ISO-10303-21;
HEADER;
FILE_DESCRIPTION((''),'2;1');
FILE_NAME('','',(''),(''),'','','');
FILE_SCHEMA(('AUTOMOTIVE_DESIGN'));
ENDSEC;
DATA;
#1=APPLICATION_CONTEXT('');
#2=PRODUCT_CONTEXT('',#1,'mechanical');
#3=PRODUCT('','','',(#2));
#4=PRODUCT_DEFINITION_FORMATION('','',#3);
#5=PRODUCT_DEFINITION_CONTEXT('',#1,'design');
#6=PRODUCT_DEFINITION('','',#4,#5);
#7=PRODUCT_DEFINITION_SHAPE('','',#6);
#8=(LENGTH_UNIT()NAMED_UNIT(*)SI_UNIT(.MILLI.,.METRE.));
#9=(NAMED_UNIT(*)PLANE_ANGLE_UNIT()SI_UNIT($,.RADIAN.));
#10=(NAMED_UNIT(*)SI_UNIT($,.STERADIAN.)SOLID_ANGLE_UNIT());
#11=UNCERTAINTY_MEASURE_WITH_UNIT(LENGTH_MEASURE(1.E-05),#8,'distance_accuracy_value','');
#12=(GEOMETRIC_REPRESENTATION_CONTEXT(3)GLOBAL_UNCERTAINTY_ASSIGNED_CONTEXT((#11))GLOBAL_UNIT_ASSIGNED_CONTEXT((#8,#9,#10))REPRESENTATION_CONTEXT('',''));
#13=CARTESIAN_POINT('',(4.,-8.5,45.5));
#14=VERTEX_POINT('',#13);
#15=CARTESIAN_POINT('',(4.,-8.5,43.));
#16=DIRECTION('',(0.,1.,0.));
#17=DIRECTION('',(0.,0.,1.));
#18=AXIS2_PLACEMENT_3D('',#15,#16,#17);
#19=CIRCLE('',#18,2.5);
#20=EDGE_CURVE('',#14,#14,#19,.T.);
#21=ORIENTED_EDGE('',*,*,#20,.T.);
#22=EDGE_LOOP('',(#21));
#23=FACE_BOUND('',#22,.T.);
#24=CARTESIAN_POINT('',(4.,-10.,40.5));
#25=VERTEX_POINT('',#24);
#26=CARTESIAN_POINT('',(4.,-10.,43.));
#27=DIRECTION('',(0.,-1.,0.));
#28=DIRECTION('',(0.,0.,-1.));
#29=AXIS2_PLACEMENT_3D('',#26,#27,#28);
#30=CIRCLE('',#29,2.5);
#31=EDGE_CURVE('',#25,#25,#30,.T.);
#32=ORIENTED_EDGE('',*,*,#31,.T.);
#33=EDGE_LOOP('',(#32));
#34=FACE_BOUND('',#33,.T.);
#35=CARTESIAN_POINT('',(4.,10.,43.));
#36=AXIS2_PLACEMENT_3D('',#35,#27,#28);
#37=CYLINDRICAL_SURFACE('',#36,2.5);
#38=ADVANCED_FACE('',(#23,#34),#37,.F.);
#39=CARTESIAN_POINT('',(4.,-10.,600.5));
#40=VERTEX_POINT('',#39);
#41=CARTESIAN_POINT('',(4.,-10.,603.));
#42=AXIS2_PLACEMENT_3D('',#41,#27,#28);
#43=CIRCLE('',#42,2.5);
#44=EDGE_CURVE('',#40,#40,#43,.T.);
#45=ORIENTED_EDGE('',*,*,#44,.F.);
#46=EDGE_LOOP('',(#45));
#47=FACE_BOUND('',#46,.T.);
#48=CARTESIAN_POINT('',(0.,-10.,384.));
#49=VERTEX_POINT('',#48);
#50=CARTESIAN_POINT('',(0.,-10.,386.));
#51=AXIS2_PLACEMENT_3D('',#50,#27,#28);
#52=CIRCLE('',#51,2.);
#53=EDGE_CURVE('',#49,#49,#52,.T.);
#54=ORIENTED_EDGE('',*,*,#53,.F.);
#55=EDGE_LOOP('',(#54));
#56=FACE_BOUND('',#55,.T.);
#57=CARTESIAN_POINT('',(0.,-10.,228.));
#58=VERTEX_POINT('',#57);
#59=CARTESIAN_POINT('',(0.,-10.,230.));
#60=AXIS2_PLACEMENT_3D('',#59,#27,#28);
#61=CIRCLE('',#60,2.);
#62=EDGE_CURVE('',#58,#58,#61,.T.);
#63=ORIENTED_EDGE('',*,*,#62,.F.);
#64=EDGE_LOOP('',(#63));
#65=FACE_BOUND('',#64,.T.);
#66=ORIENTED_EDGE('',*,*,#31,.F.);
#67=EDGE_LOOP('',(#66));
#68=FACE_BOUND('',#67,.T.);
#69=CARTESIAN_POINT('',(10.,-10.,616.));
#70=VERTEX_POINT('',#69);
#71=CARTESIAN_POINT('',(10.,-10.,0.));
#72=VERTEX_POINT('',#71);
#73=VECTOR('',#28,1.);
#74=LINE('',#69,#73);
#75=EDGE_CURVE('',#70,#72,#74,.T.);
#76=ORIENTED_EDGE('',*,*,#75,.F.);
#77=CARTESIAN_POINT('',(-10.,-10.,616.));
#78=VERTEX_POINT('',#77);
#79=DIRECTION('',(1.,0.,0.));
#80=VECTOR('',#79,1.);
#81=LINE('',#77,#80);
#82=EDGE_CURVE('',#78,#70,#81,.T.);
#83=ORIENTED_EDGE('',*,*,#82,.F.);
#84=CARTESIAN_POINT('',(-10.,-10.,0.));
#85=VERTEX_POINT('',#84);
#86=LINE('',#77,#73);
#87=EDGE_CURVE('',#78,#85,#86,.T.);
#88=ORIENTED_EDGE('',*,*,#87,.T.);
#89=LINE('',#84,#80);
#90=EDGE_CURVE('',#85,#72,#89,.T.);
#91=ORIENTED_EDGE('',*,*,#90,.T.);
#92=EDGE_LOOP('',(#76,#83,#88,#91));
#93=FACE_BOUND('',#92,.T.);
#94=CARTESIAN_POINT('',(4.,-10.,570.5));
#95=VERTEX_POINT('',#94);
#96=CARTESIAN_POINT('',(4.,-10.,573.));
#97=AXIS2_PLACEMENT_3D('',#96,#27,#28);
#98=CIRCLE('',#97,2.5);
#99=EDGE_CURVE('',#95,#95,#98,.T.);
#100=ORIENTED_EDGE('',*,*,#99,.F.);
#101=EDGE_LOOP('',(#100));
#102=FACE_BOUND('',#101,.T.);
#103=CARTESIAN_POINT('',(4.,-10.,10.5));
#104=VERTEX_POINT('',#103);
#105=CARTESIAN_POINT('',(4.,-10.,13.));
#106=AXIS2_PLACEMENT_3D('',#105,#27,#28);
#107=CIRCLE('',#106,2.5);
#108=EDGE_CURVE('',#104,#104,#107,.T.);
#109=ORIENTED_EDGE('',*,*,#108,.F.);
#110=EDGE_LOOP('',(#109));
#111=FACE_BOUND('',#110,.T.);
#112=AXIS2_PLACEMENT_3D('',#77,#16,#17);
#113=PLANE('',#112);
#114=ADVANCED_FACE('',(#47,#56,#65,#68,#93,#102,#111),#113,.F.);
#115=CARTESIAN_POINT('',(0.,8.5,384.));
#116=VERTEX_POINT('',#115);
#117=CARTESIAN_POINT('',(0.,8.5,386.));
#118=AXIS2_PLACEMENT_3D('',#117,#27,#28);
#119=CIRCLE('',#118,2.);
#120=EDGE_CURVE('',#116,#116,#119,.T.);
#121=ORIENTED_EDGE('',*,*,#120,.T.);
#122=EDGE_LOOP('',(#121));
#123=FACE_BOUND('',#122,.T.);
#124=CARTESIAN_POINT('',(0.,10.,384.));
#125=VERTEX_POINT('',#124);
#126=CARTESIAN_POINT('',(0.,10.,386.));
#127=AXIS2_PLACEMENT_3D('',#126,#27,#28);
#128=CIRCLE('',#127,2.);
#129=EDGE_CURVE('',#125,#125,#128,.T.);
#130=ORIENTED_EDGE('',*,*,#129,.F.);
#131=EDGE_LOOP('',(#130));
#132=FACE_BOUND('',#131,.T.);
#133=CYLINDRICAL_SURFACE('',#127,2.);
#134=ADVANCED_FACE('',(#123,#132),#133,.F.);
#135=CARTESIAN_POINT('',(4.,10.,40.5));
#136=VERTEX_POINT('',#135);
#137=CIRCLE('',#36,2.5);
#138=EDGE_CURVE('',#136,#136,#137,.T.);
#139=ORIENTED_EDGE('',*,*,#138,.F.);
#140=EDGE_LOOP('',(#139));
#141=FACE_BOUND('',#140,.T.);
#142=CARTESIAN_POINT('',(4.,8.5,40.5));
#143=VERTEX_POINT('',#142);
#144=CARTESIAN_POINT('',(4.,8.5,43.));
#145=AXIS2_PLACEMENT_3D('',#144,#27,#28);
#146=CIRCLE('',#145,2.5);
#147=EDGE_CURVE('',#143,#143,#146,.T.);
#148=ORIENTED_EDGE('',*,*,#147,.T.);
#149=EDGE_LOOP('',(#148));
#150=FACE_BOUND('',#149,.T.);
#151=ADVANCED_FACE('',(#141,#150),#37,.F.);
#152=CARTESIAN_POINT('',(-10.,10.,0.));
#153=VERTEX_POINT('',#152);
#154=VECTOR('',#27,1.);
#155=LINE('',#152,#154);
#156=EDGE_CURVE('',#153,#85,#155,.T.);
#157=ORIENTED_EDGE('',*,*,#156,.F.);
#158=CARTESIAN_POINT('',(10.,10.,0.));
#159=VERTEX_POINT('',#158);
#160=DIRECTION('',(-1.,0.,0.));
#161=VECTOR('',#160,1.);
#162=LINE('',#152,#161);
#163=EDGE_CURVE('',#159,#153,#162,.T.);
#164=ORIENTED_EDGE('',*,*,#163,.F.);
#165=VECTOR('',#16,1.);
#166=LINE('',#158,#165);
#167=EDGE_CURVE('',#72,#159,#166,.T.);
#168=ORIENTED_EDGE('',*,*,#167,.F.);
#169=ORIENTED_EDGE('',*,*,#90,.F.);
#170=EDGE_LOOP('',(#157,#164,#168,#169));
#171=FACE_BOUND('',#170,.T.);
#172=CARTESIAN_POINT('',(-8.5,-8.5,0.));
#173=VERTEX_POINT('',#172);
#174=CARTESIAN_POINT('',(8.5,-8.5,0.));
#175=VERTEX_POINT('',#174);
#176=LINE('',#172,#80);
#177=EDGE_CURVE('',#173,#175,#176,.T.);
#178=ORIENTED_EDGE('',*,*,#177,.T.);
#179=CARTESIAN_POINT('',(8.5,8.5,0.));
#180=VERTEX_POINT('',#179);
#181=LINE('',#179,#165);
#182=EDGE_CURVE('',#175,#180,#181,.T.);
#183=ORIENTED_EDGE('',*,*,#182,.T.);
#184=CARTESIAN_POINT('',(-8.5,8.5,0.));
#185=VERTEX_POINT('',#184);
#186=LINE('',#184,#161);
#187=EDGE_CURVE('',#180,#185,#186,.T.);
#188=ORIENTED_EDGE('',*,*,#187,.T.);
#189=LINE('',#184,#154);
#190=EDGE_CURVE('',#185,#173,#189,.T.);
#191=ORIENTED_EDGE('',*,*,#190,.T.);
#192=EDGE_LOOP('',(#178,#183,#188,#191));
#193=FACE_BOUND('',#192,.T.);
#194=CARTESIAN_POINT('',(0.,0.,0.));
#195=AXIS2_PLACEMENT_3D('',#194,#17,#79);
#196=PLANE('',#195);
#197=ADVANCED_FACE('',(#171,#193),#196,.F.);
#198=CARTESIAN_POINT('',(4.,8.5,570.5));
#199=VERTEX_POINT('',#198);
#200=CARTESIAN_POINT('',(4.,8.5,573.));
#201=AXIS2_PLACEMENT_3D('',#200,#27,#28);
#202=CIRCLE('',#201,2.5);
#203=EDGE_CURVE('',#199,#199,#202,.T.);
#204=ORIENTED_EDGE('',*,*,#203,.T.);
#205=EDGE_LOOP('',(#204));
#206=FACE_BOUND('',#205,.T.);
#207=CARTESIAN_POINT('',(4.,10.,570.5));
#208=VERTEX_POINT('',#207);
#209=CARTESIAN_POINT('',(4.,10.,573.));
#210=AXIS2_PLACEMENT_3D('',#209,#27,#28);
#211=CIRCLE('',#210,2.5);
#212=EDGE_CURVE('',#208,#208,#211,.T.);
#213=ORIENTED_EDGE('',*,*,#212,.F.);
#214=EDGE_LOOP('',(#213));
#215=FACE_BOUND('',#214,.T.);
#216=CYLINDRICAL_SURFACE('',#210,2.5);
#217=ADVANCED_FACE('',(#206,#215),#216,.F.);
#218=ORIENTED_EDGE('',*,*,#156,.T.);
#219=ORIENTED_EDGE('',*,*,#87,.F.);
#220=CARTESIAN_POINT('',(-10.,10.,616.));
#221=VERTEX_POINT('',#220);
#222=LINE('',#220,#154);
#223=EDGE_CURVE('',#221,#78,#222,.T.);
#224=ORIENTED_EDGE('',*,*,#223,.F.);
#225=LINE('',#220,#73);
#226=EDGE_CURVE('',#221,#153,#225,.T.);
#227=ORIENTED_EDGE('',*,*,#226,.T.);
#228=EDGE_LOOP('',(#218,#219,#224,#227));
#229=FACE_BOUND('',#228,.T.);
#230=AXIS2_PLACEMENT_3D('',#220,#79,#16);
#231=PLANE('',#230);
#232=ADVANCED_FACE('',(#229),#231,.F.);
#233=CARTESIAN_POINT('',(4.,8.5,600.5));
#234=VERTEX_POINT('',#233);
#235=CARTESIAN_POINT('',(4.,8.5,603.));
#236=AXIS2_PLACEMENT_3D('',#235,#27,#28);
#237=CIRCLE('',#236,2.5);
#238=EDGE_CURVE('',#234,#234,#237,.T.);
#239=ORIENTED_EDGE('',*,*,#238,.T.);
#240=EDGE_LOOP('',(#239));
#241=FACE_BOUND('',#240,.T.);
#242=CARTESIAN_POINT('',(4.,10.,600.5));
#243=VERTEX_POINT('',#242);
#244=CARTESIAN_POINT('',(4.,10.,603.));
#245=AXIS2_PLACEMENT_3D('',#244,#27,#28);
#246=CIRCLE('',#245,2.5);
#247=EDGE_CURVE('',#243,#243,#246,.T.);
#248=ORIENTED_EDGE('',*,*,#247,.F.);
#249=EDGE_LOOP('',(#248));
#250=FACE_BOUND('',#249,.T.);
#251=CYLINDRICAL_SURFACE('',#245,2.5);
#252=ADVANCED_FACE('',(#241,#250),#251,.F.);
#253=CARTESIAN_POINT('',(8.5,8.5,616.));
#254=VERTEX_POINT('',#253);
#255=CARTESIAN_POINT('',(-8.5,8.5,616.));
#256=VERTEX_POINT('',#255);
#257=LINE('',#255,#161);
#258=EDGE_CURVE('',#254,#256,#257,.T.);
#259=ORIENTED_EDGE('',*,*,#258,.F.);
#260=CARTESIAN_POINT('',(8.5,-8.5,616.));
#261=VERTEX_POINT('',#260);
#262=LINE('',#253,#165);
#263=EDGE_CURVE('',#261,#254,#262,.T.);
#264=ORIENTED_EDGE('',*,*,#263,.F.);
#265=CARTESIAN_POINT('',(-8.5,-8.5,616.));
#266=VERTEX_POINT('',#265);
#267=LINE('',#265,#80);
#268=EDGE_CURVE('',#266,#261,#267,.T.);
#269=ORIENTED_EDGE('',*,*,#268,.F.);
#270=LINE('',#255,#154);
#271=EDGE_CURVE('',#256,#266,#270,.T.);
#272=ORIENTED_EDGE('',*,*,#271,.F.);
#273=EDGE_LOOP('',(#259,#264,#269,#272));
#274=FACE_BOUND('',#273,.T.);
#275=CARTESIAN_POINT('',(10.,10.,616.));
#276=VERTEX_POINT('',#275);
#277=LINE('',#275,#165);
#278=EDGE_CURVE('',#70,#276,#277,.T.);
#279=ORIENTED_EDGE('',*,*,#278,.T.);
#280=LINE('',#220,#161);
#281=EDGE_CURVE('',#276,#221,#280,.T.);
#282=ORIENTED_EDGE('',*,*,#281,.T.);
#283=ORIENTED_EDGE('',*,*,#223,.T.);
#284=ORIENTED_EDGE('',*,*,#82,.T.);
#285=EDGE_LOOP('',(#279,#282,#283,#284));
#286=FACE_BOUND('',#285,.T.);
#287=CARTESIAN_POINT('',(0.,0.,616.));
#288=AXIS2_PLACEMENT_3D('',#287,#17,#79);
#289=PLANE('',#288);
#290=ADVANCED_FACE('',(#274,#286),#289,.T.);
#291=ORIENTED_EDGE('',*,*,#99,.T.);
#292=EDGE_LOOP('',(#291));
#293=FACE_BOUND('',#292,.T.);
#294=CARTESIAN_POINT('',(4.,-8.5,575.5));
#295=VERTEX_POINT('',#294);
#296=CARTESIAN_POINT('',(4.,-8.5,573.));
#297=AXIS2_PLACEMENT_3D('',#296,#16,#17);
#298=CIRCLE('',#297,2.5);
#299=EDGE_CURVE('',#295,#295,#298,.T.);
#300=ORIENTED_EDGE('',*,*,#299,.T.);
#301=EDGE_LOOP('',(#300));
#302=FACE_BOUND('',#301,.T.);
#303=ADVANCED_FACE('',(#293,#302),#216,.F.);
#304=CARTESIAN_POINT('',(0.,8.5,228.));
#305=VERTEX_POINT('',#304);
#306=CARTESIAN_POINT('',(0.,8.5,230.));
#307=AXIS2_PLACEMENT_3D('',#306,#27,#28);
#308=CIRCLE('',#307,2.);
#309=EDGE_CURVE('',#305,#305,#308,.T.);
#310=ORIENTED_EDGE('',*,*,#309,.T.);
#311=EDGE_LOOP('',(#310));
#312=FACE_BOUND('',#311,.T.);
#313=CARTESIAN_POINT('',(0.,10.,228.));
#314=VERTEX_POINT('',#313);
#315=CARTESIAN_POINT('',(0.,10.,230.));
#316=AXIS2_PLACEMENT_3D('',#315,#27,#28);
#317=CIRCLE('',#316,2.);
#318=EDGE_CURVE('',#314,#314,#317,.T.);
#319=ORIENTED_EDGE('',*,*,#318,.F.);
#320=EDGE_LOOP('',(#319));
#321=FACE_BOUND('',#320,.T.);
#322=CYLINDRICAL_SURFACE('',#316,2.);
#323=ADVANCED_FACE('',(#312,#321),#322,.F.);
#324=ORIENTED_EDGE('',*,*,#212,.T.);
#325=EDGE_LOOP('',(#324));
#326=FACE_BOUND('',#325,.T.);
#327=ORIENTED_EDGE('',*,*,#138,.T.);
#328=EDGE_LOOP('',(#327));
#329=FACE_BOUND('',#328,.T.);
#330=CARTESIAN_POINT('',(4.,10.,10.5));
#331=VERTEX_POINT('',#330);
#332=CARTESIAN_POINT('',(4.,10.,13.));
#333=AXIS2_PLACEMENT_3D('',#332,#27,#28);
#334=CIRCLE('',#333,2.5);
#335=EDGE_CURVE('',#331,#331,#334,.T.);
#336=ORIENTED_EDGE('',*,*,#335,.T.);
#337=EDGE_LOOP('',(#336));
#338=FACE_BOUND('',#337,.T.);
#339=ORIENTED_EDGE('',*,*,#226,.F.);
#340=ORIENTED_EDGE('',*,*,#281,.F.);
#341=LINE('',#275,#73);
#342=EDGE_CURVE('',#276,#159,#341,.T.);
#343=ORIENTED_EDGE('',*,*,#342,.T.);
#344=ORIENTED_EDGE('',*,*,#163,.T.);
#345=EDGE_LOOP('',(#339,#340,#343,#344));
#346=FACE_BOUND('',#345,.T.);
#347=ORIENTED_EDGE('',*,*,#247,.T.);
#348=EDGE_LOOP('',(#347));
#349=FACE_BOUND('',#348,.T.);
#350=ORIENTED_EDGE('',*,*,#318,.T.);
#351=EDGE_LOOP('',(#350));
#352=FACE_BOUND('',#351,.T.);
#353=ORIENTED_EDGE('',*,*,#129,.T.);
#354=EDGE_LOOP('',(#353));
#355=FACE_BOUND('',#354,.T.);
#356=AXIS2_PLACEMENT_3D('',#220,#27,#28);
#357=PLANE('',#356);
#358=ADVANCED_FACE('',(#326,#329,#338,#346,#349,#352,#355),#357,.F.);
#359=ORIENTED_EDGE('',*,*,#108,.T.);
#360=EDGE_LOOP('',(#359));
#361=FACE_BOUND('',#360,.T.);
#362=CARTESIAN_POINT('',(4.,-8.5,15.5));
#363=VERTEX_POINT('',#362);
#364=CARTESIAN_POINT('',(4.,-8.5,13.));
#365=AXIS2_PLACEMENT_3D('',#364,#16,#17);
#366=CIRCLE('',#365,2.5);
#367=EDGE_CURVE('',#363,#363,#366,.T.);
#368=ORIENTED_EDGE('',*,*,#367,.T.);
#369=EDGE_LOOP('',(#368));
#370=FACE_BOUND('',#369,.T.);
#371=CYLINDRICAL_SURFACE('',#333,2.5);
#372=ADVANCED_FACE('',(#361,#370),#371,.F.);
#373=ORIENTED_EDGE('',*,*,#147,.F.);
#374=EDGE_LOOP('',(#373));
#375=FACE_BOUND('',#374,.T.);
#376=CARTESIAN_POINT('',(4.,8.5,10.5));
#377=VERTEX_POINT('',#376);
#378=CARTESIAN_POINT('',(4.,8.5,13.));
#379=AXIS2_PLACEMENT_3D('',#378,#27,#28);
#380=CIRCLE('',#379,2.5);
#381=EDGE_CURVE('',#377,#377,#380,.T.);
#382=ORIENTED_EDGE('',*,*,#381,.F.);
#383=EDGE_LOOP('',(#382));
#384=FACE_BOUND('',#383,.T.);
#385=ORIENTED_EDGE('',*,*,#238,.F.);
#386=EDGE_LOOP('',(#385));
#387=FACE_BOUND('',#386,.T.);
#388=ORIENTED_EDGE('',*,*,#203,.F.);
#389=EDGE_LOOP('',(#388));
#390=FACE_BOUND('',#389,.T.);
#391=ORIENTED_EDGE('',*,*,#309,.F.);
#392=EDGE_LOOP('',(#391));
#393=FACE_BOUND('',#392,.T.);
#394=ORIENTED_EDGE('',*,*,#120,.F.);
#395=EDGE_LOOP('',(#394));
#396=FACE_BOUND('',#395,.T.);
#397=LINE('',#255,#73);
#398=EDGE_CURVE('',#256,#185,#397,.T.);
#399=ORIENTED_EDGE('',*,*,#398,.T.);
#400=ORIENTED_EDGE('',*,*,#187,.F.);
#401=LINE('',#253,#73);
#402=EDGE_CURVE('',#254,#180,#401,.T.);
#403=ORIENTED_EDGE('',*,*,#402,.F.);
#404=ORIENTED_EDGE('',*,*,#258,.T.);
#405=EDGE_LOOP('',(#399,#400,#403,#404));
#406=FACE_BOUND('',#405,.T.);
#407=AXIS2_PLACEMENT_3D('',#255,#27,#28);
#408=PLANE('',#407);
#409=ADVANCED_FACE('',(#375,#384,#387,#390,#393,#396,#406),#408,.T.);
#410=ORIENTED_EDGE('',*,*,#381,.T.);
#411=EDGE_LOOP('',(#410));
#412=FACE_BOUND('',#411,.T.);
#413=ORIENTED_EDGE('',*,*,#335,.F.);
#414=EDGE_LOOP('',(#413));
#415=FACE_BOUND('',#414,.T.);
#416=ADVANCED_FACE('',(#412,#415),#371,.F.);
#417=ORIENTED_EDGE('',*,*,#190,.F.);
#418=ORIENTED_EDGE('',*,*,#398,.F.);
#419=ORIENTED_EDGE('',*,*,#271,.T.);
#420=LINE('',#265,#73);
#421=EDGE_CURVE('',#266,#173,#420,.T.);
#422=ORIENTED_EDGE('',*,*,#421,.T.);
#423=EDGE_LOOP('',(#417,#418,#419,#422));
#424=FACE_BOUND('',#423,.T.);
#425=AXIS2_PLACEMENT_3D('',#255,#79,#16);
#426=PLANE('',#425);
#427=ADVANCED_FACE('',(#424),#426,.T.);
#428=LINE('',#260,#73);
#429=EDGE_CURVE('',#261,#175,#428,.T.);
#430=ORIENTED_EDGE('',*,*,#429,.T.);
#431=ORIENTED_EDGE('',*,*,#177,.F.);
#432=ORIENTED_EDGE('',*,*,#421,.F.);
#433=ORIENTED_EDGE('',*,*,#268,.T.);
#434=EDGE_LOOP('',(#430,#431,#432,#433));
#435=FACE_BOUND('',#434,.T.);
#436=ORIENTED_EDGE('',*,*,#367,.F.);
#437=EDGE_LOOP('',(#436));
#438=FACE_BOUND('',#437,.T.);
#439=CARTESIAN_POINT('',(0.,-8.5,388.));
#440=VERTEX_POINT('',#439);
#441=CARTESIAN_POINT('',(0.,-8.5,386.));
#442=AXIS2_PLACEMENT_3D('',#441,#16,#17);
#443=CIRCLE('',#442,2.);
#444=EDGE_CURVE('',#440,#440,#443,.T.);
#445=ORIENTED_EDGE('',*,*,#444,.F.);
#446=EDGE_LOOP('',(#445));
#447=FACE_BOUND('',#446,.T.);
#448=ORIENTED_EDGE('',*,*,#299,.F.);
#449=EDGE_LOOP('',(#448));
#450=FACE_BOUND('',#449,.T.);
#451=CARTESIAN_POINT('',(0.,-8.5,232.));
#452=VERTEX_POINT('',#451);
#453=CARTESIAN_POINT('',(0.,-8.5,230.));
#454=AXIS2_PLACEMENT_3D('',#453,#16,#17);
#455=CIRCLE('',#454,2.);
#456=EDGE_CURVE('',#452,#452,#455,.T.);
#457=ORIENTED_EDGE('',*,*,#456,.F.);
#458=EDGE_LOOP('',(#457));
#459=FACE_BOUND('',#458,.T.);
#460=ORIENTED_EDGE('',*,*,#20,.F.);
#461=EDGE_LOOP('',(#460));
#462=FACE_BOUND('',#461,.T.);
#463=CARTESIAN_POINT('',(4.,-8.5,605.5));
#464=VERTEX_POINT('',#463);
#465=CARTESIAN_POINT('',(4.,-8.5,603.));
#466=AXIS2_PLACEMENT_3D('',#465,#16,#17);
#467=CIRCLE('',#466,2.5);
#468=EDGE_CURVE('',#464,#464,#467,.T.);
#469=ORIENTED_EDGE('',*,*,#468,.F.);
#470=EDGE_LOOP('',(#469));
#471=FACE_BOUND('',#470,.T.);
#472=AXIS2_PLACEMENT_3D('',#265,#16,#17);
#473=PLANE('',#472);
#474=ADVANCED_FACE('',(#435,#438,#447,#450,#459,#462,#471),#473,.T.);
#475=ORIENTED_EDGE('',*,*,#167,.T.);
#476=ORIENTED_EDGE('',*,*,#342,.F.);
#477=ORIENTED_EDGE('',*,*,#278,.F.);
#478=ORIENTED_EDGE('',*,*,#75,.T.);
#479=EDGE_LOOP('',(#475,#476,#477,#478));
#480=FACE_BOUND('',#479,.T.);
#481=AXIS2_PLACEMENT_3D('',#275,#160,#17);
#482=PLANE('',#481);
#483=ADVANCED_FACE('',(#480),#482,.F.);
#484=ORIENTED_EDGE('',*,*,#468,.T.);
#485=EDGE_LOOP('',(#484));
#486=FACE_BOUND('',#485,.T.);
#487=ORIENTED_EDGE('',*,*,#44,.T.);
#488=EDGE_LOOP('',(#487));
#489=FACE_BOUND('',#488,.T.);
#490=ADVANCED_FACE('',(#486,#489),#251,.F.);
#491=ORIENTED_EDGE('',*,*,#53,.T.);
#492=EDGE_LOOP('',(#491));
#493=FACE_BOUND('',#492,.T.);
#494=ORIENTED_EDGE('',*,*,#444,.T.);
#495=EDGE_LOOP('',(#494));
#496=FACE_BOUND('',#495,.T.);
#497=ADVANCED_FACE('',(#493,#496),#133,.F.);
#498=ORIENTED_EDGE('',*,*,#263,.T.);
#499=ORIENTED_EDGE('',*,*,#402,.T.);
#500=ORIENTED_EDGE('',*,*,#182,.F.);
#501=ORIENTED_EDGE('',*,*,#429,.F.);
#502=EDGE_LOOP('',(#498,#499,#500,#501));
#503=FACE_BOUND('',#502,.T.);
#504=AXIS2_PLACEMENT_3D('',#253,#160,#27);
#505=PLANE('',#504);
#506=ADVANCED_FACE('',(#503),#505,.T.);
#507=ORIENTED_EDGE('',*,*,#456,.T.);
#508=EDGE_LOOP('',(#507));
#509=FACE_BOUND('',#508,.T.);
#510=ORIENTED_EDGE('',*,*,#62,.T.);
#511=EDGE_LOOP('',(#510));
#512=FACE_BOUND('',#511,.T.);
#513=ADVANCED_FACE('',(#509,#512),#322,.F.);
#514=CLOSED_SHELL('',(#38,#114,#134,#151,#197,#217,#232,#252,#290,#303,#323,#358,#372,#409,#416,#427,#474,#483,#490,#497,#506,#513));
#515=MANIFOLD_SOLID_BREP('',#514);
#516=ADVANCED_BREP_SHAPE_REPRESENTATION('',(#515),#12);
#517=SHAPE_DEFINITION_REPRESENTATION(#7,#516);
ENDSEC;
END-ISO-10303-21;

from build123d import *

# Parameters (mm, degrees)
SKETCH_1_W          = 20
SKETCH_1_H          = 20
SKETCH_1_W_2        = 17
SKETCH_1_H_2        = 17
EXTRUDE_1_DEPTH     = 616
SKETCH_4_R          = 2.5
CUT_EXTRUDE_3_DEPTH = 20
SKETCH_5_R          = 2
CUT_EXTRUDE_4_DEPTH = 20


with BuildPart() as part:
    # 草图1 → 凸台-拉伸1 (new body)
    with BuildSketch(Plane.XY):
        Rectangle(SKETCH_1_W, SKETCH_1_H)
        Rectangle(SKETCH_1_W_2, SKETCH_1_H_2, mode=Mode.SUBTRACT)
    extrude(amount=EXTRUDE_1_DEPTH)

    # 草图4 → 切除-拉伸3 (cut)
    with BuildSketch(Plane.XZ.offset(10)):
        with Locations(Location((4, 13, 0), (0, 0, 270))):
            Circle(SKETCH_4_R)
        with Locations(Location((4, 43, 0), (0, 0, 270))):
            Circle(SKETCH_4_R)
        with Locations(Location((4, 603, 0), (0, 0, 270))):
            Circle(SKETCH_4_R)
        with Locations(Location((4, 573, 0), (0, 0, 270))):
            Circle(SKETCH_4_R)
    extrude(amount=-CUT_EXTRUDE_3_DEPTH, mode=Mode.SUBTRACT)

    # 草图5 → 切除-拉伸4 (cut)
    with BuildSketch(Plane.XZ.offset(10)):
        with Locations(Location((0, 230, 0), (0, 0, 270))):
            Circle(SKETCH_5_R)
        with Locations(Location((0, 386, 0), (0, 0, 270))):
            Circle(SKETCH_5_R)
    extrude(amount=-CUT_EXTRUDE_4_DEPTH, mode=Mode.SUBTRACT)


solid = part.part
